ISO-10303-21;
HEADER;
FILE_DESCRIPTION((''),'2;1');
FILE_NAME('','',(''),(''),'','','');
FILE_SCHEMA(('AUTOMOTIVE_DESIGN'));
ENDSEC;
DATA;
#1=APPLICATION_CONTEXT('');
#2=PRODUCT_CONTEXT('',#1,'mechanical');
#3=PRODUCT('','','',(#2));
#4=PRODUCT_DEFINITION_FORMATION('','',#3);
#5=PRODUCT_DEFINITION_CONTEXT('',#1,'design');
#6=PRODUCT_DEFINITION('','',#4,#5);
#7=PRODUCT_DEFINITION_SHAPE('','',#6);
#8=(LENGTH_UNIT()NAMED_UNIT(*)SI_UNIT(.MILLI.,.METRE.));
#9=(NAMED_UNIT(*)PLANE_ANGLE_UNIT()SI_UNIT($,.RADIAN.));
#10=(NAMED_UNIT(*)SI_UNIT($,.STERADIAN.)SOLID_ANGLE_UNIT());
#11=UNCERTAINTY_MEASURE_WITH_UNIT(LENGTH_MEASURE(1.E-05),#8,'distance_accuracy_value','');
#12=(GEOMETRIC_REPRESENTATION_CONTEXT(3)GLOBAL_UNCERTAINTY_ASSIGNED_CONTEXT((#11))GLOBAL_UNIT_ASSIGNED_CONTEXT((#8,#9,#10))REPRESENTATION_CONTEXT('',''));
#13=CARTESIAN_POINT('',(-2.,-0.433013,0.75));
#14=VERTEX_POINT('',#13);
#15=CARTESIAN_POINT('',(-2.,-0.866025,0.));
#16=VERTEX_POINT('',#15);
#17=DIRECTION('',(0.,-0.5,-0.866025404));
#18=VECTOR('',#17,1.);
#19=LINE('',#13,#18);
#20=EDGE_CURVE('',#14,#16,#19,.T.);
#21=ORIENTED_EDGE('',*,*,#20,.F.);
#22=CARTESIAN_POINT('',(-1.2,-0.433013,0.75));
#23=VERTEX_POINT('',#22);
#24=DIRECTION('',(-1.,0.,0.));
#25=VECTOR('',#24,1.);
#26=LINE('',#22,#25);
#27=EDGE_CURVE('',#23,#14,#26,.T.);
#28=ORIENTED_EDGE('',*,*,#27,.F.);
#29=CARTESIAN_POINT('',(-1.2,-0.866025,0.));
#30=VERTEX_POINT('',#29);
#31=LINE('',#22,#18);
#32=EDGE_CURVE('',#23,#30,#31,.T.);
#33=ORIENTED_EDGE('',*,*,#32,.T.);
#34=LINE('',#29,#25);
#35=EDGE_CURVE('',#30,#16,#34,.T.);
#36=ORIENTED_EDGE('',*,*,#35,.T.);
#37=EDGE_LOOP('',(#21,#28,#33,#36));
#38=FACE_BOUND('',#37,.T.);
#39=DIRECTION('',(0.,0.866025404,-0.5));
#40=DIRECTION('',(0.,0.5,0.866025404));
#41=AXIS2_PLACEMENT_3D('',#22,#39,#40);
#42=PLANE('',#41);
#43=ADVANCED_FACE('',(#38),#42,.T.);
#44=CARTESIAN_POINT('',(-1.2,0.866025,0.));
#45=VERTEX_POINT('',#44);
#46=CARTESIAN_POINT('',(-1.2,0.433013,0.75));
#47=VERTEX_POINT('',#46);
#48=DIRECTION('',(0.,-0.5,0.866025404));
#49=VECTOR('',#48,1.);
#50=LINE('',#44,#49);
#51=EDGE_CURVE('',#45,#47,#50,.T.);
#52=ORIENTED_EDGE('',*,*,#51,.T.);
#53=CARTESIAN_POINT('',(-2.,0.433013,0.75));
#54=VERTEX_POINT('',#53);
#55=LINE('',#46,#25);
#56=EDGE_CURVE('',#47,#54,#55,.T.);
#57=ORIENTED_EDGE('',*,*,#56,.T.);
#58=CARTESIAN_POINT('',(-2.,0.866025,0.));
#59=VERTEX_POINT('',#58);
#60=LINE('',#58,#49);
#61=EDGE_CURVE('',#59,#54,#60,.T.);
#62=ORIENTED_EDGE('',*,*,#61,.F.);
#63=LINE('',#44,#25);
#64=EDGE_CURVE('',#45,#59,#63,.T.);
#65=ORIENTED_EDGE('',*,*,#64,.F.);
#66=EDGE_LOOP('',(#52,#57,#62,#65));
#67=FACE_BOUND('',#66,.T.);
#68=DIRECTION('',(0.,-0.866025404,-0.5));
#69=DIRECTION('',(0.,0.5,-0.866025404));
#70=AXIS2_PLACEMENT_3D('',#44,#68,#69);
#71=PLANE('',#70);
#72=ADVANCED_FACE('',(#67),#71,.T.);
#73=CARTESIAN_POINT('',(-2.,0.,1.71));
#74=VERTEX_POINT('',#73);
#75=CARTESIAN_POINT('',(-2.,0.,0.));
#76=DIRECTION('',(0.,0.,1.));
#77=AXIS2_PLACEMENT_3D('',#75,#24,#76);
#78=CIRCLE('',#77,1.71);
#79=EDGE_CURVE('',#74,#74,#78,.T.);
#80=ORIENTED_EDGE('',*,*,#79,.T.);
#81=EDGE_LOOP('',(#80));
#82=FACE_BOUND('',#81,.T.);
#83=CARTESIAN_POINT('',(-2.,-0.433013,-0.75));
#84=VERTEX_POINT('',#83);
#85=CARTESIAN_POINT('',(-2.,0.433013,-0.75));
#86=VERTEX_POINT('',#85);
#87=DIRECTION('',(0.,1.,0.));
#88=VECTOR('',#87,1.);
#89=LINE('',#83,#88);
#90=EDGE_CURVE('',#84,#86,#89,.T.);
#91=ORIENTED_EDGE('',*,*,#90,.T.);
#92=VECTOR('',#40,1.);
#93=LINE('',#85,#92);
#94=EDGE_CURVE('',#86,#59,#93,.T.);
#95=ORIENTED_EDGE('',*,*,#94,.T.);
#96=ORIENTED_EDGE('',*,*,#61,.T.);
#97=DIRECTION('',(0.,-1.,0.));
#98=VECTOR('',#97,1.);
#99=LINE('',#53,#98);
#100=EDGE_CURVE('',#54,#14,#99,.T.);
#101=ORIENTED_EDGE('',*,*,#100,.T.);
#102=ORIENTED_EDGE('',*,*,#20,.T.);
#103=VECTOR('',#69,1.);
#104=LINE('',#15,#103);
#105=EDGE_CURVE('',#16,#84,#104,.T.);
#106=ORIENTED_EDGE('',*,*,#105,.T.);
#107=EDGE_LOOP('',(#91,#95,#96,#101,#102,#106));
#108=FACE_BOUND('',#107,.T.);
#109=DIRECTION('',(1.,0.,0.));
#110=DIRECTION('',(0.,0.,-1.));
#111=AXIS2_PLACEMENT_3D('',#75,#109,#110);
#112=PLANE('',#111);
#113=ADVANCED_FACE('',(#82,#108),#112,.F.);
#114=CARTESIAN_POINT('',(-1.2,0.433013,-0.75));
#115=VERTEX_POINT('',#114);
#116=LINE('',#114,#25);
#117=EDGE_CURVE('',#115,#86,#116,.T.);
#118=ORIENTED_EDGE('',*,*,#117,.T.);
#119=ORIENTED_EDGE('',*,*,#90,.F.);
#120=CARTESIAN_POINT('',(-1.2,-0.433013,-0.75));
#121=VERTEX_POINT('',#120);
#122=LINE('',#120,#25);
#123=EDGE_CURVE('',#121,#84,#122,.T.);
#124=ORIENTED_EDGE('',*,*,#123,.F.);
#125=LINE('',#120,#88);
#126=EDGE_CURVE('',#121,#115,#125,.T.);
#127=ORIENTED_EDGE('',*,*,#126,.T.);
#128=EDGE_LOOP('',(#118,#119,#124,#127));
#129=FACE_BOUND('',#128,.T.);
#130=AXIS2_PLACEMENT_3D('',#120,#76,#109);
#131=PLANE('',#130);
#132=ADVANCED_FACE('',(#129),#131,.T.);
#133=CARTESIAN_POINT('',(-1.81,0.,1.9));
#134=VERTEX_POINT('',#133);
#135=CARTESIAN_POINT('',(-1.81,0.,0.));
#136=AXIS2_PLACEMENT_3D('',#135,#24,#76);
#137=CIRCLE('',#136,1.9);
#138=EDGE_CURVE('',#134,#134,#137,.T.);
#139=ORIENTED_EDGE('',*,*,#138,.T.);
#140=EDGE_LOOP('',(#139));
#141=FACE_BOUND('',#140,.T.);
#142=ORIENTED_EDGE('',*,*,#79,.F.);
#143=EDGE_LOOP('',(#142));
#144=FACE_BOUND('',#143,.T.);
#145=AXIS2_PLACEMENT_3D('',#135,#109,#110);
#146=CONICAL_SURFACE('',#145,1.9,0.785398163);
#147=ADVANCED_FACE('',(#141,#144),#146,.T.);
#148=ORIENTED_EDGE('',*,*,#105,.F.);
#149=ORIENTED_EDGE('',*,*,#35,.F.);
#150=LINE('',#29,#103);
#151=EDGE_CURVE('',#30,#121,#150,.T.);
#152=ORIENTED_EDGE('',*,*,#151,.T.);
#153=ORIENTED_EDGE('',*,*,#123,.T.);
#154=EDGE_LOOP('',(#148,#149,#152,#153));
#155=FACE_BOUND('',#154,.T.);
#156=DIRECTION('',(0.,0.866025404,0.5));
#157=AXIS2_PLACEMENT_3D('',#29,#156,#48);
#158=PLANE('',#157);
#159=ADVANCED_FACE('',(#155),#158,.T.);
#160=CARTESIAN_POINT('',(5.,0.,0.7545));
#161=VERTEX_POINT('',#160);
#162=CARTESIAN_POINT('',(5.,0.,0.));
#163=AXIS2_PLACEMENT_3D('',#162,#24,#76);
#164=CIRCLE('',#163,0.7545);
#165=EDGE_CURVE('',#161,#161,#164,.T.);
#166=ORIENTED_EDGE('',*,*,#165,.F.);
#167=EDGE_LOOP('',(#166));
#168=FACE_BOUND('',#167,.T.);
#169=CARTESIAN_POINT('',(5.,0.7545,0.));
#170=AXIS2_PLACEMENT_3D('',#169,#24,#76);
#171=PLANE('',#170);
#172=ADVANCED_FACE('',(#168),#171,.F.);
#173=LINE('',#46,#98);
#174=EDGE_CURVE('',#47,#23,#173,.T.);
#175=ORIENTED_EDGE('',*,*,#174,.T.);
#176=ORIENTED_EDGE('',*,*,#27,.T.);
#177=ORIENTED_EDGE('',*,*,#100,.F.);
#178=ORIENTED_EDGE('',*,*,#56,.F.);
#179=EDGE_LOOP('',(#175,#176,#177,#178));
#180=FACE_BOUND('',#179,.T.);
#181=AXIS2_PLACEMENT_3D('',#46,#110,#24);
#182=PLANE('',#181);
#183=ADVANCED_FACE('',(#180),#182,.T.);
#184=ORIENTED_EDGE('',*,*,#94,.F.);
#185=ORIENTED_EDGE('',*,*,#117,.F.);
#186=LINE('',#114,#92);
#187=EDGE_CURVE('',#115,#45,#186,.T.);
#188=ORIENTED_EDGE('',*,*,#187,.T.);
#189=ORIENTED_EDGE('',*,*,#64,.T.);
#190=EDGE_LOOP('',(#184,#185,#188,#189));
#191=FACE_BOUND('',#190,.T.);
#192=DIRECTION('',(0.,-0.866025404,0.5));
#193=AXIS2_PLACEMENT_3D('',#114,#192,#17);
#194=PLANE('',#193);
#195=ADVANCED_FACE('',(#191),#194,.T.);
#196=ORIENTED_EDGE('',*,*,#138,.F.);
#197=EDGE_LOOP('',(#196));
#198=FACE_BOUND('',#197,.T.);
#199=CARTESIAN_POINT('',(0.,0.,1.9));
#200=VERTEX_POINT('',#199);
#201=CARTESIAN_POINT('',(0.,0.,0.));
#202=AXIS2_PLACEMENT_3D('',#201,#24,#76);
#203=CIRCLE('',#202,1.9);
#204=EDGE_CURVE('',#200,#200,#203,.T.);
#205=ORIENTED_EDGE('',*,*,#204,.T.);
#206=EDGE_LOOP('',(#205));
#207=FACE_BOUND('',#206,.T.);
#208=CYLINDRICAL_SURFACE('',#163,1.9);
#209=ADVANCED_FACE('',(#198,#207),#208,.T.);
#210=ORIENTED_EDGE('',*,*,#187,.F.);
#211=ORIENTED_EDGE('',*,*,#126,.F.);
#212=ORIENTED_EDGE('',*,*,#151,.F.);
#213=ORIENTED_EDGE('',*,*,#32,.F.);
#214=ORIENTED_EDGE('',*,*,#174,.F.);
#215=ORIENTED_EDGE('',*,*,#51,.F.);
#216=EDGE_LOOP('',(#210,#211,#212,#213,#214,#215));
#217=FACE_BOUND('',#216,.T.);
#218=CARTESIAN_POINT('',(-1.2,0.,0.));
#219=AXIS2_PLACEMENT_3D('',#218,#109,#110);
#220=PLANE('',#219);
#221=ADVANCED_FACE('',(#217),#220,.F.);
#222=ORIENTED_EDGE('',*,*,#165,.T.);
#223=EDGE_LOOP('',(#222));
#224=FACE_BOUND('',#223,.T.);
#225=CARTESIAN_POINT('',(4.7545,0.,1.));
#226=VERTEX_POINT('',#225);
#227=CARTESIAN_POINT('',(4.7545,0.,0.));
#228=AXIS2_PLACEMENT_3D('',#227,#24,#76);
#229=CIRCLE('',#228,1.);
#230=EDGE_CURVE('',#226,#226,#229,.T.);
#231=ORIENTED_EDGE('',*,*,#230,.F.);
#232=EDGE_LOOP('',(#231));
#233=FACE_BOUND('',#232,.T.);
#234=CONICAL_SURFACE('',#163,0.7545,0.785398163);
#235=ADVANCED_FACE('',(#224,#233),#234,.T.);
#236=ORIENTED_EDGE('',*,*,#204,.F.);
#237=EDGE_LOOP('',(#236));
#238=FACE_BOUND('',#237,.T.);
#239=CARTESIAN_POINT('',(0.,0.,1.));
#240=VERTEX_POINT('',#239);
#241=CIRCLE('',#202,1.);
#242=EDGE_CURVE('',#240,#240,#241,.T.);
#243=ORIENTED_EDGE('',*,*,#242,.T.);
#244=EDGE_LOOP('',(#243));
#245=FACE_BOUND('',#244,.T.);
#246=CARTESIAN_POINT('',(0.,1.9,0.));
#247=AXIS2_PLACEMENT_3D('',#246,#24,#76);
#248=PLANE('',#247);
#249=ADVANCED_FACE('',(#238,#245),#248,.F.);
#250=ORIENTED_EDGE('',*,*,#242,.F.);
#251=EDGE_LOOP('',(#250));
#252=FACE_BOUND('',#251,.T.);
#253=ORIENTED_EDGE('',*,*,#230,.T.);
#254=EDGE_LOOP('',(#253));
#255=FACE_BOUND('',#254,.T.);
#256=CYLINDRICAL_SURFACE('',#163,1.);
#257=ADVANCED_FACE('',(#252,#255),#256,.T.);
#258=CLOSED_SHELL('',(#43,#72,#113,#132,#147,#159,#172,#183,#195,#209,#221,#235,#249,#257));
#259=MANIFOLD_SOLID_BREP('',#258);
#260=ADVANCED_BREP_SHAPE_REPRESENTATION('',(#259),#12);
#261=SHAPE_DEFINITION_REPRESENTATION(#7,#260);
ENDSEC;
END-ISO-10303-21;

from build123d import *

# Parameters (mm, degrees)
CUT_EXTRUDE1_DEPTH = 0.8


with BuildPart() as part:
    # Sketch1 → Revolve1 (revolve)
    with BuildSketch(Plane.XY):
        Polygon((-2, 0), (-2, 1.71), (-1.81, 1.9), (0, 1.9), (0, 1), (4.7545, 1), (5, 0.7545), (5, 0), align=None)
    revolve(axis=Axis((5, 0, 0), (-1, 0, 0)))

    # Sketch2 → Cut-Extrude1 (cut)
    with BuildSketch(Plane(origin=(-2, 0, 0), x_dir=(0, 0, -1), z_dir=(1, 0, 0))):
        Polygon((-0.75, -0.433012702), (0, -0.866025404), (0.75, -0.433012702), (0.75, 0.433012702), (0, 0.866025404), (-0.75, 0.433012702), align=None)
    extrude(amount=CUT_EXTRUDE1_DEPTH, mode=Mode.SUBTRACT)


solid = part.part
